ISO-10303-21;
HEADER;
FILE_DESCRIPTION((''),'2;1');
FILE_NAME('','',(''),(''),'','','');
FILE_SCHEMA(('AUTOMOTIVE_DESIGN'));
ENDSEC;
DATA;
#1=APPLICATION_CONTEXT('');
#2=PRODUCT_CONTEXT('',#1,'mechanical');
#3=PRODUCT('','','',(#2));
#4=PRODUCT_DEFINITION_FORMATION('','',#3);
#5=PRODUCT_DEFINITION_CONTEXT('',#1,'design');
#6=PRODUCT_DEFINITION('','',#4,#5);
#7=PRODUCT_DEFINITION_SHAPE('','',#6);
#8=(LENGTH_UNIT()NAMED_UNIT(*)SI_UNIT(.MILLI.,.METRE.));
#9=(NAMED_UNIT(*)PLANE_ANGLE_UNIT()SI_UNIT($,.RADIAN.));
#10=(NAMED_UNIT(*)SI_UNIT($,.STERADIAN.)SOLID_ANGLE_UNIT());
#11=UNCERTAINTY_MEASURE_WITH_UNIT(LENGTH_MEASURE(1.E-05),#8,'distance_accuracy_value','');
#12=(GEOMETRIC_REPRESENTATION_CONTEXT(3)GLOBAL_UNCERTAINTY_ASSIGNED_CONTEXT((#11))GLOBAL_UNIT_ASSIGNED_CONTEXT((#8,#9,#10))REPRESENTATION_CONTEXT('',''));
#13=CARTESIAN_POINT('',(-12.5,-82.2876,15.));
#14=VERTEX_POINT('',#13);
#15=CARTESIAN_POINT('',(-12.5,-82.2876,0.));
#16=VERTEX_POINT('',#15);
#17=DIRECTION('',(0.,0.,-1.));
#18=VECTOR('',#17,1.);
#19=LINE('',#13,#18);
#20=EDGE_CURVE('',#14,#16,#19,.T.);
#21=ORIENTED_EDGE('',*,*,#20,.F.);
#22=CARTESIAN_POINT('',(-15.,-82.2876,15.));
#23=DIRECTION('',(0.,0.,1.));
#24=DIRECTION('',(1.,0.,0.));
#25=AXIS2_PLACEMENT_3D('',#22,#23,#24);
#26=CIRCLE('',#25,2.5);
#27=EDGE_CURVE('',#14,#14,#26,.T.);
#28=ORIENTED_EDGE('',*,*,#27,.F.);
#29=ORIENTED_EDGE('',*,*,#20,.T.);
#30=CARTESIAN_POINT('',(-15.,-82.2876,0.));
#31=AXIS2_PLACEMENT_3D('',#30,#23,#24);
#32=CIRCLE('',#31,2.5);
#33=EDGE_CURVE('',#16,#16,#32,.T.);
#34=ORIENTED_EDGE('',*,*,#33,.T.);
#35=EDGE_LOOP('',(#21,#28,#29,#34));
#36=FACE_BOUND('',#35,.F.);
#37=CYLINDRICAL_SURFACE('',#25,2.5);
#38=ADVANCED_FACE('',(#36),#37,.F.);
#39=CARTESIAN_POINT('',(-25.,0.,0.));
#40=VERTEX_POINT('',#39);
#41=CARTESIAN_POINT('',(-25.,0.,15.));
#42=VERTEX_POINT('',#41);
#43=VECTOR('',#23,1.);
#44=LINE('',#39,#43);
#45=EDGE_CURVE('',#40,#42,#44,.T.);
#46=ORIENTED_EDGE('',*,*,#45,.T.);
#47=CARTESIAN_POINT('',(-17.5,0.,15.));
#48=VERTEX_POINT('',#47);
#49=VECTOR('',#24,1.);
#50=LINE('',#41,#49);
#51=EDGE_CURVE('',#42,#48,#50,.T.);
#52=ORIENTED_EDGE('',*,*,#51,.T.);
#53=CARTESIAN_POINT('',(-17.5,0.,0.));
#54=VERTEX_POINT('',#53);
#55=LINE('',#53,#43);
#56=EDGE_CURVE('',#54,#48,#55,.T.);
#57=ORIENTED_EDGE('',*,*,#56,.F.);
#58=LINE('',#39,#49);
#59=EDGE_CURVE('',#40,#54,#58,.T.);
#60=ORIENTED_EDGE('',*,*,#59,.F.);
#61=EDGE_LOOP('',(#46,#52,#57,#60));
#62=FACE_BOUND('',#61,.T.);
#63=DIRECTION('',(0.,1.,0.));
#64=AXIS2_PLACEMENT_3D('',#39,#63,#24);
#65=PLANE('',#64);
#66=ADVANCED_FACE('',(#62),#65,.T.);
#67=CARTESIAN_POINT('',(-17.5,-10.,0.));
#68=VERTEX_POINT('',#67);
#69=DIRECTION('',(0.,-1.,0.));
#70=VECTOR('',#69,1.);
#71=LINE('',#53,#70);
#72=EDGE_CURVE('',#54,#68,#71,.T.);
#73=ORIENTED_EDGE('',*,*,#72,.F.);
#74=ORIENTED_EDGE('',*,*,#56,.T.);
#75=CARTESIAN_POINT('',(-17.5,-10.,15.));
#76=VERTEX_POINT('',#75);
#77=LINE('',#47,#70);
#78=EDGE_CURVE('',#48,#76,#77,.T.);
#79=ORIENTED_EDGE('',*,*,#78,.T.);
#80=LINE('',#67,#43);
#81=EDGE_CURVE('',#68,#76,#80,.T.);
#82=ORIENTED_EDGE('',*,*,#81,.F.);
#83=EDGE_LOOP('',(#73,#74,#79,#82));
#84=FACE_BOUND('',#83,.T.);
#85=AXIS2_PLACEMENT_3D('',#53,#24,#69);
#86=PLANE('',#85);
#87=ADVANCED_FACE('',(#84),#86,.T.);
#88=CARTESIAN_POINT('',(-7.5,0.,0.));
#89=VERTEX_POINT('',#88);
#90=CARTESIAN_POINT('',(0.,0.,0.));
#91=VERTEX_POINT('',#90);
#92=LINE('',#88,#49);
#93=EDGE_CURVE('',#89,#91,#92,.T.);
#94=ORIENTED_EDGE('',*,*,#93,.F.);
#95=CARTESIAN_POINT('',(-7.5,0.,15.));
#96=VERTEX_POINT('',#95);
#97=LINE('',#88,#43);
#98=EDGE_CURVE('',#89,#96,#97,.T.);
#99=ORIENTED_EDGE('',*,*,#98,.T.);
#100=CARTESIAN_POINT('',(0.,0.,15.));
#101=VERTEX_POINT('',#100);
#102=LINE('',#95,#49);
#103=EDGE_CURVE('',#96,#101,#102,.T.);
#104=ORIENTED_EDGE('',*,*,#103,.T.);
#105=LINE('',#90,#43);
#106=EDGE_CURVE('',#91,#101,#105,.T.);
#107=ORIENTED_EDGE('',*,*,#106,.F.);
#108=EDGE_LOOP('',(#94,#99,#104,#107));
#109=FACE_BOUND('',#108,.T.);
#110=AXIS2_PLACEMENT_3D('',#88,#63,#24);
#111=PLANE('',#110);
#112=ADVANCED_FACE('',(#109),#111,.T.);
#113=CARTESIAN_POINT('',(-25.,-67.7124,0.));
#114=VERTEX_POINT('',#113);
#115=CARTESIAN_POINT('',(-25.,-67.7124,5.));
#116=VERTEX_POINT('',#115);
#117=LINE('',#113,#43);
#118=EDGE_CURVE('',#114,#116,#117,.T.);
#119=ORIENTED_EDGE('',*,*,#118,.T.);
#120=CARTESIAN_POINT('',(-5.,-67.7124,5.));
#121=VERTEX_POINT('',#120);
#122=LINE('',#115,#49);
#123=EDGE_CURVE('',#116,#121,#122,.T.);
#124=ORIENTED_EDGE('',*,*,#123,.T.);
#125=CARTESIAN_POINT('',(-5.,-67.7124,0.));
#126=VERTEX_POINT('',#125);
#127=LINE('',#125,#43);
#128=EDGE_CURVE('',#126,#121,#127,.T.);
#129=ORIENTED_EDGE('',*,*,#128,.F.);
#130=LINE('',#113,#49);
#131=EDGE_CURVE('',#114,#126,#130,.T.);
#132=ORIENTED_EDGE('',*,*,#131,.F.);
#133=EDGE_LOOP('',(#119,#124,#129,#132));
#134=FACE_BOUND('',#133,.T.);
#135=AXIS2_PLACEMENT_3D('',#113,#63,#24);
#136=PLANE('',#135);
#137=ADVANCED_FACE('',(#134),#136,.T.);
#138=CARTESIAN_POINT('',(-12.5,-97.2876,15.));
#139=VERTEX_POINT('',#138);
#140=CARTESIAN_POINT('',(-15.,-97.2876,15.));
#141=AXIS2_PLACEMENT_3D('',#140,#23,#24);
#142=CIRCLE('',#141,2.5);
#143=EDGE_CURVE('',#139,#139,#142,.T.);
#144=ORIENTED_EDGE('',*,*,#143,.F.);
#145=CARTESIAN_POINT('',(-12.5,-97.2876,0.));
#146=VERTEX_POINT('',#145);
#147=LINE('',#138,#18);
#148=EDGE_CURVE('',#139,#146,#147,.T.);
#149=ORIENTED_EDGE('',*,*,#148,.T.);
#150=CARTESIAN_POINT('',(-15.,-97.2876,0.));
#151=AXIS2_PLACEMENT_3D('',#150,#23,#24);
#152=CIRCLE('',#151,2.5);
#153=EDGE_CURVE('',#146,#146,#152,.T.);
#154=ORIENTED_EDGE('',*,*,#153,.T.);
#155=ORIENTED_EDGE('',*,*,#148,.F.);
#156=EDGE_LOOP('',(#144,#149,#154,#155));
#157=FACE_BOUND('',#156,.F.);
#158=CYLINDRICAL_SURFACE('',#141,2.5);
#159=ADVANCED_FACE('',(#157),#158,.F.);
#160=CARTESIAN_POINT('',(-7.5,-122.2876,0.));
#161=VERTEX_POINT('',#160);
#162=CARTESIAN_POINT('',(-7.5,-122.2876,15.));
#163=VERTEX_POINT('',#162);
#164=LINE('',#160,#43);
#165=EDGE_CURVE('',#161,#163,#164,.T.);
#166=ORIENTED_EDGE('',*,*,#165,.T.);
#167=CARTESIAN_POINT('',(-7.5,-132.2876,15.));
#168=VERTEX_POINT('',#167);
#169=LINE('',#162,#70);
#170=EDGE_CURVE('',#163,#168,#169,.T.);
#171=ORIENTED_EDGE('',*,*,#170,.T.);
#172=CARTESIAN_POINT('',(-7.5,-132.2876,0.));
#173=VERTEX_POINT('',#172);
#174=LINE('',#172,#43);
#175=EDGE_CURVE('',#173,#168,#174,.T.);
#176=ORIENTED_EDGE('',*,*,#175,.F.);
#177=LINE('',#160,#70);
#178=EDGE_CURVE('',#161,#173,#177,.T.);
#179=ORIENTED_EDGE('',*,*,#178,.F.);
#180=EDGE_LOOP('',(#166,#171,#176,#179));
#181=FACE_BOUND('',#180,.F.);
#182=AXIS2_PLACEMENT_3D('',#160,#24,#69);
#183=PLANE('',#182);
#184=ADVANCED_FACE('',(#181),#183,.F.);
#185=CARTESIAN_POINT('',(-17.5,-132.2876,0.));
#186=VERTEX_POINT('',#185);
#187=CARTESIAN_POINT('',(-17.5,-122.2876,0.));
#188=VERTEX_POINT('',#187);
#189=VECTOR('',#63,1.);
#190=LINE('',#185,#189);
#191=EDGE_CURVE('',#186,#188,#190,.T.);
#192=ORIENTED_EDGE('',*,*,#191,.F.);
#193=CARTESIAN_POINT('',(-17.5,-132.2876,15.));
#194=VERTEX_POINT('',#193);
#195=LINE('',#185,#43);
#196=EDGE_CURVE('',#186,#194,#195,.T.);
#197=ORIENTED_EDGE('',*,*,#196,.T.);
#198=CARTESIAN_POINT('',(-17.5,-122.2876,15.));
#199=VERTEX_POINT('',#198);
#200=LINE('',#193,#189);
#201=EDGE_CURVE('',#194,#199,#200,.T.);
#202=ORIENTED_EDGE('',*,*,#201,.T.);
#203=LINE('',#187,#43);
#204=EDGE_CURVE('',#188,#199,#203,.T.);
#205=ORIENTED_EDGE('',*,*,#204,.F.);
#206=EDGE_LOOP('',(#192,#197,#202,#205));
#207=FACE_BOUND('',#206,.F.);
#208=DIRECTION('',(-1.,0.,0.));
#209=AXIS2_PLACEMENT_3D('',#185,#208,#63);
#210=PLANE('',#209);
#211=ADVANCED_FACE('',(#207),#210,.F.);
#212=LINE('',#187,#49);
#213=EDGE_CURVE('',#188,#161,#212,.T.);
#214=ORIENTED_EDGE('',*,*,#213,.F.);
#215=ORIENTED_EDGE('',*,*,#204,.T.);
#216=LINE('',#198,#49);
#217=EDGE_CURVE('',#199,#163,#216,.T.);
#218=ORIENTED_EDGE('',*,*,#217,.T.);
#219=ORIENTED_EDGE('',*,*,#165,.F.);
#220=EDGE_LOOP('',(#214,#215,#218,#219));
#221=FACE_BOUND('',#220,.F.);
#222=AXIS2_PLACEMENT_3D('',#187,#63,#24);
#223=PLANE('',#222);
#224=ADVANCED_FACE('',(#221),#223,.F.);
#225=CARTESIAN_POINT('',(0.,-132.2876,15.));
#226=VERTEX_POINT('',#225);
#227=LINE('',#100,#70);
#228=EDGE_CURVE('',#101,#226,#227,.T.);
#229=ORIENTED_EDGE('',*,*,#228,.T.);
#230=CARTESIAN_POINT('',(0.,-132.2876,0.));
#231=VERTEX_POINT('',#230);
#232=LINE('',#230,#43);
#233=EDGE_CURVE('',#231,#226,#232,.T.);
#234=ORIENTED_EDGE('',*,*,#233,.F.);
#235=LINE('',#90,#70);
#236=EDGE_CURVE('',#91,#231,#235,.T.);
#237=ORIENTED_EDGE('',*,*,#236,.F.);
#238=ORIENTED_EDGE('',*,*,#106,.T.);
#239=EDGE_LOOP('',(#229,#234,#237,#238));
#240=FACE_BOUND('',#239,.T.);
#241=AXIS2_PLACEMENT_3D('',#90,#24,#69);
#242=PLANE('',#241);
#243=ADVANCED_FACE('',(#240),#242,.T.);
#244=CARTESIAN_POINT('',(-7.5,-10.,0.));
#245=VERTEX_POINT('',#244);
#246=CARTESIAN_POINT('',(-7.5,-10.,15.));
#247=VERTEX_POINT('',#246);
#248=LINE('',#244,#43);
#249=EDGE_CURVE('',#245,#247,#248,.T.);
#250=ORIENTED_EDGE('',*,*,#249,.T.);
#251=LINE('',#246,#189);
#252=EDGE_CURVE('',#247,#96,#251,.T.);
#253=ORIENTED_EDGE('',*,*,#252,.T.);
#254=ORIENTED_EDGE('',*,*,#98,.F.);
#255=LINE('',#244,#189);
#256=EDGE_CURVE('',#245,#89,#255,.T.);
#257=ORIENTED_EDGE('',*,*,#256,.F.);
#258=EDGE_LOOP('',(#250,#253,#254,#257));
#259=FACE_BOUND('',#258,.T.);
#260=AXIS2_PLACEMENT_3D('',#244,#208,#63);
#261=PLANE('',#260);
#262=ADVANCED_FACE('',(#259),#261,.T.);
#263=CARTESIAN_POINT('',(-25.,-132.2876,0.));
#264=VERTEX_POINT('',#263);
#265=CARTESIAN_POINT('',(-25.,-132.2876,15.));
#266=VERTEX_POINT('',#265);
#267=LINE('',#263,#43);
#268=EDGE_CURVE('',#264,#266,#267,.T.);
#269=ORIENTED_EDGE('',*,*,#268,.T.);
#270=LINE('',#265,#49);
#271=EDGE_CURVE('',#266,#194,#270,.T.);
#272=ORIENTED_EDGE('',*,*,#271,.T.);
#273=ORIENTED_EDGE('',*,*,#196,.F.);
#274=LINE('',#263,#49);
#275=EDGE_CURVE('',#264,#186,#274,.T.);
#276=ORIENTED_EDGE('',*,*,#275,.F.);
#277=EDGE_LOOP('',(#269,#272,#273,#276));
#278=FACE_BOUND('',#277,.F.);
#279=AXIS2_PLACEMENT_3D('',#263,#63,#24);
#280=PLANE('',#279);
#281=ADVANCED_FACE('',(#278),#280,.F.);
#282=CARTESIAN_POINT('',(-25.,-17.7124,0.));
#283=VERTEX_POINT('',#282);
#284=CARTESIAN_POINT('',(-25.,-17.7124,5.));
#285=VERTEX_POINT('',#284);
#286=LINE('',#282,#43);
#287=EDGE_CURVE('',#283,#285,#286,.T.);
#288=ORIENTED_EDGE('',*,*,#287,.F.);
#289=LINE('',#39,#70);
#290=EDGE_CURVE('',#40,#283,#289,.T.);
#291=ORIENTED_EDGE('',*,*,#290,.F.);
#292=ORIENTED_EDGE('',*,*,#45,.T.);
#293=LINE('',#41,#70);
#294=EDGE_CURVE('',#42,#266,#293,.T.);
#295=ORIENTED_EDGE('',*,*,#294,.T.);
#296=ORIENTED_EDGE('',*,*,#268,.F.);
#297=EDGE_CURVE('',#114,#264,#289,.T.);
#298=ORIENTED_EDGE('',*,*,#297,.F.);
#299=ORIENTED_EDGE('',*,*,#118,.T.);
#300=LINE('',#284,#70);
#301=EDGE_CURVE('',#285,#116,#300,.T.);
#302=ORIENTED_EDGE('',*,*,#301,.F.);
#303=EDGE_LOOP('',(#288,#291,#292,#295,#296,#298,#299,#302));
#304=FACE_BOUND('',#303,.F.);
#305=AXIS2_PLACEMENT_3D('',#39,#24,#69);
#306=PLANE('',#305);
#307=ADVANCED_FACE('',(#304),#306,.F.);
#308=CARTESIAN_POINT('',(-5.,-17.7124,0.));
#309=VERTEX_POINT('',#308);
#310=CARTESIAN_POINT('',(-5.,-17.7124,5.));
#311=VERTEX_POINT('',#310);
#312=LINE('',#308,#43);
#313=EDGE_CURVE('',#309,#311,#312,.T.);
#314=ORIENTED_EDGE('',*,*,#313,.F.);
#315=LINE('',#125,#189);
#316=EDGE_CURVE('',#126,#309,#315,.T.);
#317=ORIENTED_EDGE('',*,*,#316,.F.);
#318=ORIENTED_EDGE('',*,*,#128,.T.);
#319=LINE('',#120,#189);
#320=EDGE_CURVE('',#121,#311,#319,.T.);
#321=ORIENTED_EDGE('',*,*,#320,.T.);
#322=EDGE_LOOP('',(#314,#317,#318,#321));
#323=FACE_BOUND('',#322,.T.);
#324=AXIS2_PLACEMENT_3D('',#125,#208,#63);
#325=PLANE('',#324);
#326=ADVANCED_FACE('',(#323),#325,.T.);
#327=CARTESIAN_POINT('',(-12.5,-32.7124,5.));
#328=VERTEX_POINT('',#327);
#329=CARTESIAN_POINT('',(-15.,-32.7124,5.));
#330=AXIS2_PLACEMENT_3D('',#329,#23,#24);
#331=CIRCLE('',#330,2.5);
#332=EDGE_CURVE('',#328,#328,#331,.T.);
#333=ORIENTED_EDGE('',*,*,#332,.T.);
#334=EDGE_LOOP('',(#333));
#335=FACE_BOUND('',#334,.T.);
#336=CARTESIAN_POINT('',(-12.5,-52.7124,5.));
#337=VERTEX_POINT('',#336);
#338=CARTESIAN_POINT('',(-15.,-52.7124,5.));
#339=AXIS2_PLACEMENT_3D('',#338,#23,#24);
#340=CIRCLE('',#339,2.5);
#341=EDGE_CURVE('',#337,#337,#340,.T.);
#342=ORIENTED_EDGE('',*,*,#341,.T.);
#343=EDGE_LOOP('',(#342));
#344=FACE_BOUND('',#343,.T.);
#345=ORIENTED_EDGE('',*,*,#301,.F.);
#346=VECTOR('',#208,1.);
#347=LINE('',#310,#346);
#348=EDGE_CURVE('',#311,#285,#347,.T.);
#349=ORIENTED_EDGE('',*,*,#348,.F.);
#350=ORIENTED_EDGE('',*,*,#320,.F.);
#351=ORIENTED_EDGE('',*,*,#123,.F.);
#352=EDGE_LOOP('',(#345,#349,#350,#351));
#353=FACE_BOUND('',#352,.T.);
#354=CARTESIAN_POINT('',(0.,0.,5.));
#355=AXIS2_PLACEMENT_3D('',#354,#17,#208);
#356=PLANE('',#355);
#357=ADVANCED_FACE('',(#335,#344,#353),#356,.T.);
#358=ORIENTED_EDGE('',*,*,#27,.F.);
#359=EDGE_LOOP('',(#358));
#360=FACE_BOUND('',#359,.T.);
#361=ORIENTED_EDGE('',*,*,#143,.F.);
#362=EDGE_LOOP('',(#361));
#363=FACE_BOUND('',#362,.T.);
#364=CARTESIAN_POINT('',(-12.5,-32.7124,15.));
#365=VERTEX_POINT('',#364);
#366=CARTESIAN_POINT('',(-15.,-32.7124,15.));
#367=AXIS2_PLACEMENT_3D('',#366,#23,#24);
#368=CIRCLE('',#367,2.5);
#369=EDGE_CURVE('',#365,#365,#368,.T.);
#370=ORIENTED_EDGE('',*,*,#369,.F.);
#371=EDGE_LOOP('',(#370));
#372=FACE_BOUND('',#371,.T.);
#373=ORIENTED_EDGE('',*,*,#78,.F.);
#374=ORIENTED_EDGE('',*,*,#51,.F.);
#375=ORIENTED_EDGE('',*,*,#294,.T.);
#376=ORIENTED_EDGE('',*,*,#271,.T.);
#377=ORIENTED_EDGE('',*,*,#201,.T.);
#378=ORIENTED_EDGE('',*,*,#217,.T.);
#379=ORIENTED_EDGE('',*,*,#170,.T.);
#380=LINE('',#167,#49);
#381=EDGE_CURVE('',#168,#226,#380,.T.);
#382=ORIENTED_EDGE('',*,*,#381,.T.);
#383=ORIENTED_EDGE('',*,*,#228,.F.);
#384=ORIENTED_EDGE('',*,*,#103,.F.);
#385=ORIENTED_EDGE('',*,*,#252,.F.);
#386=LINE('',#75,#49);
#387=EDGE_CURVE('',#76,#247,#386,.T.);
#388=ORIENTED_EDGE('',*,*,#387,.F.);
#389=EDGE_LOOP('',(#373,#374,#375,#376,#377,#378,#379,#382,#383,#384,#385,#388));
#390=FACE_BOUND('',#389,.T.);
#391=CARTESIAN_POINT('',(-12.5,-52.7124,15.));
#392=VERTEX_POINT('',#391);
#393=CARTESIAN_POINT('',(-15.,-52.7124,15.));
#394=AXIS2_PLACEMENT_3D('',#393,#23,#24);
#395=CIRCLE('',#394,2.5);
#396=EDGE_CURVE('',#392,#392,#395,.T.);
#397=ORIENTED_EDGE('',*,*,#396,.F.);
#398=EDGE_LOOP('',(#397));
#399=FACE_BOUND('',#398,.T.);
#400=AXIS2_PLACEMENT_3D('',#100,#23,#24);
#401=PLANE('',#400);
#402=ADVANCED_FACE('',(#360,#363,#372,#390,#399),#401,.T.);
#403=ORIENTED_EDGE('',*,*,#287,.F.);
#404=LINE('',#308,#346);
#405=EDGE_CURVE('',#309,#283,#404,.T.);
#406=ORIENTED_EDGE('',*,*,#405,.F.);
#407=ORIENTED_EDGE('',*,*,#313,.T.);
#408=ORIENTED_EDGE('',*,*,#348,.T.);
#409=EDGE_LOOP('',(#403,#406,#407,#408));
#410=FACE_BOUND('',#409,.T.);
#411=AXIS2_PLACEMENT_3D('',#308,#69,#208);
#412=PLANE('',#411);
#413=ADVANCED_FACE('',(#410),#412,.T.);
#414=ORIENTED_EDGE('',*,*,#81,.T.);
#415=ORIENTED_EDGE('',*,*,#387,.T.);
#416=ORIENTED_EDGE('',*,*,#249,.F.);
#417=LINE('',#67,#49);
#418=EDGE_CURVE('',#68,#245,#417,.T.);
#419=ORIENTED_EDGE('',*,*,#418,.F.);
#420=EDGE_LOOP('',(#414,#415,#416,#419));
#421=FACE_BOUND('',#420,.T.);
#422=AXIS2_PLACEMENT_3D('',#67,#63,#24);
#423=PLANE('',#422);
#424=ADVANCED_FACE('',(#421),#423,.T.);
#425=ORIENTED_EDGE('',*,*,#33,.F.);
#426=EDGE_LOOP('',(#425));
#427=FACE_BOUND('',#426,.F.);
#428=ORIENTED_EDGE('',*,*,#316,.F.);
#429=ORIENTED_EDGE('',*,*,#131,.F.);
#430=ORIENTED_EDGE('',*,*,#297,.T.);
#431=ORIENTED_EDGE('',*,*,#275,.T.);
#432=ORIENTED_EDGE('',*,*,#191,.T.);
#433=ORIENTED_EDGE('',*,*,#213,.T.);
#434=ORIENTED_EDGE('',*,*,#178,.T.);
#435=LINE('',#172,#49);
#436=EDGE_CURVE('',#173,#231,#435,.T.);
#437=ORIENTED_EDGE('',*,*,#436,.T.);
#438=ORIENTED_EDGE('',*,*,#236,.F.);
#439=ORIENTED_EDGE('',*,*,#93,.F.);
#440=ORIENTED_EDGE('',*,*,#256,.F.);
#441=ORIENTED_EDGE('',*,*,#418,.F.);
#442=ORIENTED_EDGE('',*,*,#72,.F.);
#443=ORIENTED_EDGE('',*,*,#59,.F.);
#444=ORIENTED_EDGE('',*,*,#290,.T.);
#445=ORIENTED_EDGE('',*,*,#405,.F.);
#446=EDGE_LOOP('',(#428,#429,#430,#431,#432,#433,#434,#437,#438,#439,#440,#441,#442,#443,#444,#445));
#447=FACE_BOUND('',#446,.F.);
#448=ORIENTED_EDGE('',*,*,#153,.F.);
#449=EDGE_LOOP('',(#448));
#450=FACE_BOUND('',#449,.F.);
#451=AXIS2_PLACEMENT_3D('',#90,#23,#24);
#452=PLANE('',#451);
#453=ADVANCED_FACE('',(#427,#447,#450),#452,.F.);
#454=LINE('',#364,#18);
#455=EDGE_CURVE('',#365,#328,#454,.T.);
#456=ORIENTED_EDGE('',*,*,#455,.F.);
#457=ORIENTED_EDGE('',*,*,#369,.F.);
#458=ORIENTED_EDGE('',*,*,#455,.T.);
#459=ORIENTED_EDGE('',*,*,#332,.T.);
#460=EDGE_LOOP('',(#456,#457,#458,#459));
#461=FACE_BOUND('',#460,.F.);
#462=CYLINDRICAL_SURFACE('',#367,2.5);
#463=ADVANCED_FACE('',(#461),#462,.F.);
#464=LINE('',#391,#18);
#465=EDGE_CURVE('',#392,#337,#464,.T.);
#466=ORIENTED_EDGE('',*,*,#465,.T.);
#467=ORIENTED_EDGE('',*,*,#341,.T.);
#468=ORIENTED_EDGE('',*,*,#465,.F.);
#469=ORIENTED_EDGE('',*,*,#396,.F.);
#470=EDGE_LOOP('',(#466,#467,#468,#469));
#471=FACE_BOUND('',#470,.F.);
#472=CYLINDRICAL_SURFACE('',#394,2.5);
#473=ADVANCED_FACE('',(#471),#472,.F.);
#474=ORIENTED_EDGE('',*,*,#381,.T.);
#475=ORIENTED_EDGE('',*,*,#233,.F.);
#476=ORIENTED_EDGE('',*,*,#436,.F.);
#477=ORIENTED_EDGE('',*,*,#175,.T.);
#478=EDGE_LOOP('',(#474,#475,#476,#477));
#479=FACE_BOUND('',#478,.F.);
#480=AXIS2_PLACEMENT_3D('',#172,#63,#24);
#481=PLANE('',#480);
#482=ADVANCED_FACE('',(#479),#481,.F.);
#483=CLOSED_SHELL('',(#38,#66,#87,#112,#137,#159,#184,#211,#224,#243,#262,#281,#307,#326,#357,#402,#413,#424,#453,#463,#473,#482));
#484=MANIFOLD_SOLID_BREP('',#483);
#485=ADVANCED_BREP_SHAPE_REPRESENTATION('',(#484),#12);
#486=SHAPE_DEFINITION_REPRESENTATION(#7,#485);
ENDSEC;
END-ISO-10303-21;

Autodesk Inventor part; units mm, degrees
ref_plane "YZ Plane" through (0, 0, 0) normal (1, 0, 0) x (0, 1, 0)
ref_plane "XZ Plane" through (0, 0, 0) normal (0, 1, 0) x (-1, 0, 0)
ref_plane "XY Plane" through (0, 0, 0) normal (0, 0, 1) x (1, 0, 0)
sketch "Sketch1" plane through (0, 0, 0) normal (0, 0, 1) x (1, 0, 0)
  circle A0 centre (-175, 0) radius 225 construction
  circle A1 centre (-175, 0) radius 200 construction
  line L0 (-25, 0) -> (-25, -132.2876)
  line L1 (-17.5, 0) -> (-17.5, -10)
  line L2 (-17.5, -10) -> (-7.5, -10)
  line L3 (-17.5, -10) -> (-7.5, -10) construction
  line L4 (-7.5, -10) -> (-7.5, 0)
  line L5 (-25, 0) -> (-17.5, 0)
  line L6 (-7.5, 0) -> (0, 0)
  line L7 (0, 0) -> (0, -132.2876)
  line L8 (-17.5, -132.2876) -> (-17.5, -122.2876)
  line L9 (-17.5, -132.2876) -> (-7.5, -132.2876) construction
  line L10 (-17.5, -122.2876) -> (-7.5, -122.2876)
  line L11 (-7.5, -122.2876) -> (-7.5, -132.2876)
  line L12 (-25, -132.2876) -> (-17.5, -132.2876)
  line L13 (-7.5, -132.2876) -> (0, -132.2876)
  dimension "d0" = 450
  dimension "d1" = 25
  dimension "d2" = 175
  dimension "d3" = 25
  dimension "d5" = 10
  dimension "d6" = 10
  dimension "d7" = 0
  dimension "d8" = 7.5
  dimension "d11" = 10
  dimension "d12" = 90
  dimension "d13" = 10
  dimension "d14" = 90
extrude "Extrusion1" add sketch "Sketch1" along normal blind 15
sketch "Sketch2" plane through (0, 0, 15) normal (0, 0, 1) x (1, 0, 0)
  line L0 (0, -17.7124) -> (-20, -17.7124) construction
  line L1 (-20, -17.7124) -> (-20, -67.7124) construction
  line L2 (-20, -67.7124) -> (0, -67.7124) construction
  line L3 (0, -67.7124) -> (0, -17.7124) construction
  line L4 (-7.5, -132.2876) -> (0, -132.2876) construction
  circle A0 centre (-15, -32.7124) radius 2.5
  circle A1 centre (-15, -52.7124) radius 2.5
  line L5 (-25, 0) -> (-25, -132.2876) projected
  point P0 (0, 0)
  dimension "d15" = 20
  dimension "d16" = 50
  dimension "d17" = 64.5751
  dimension "d18" = 5
  dimension "d19" = 5
  dimension "d20" = 15
  dimension "d21" = 15
  dimension "d55" = 10
  dimension "d56" = 10
extrude "Extrusion2" cut sketch "Sketch2" against normal through all
thread "Thread1" size "M5x0.8" class "6H" standard "ANSI Metric M Profile" full length
thread "Thread2" size "M5x0.8" class "6H" standard "ANSI Metric M Profile" full length
sketch "Sketch3" plane through (0, 0, 15) normal (0, 0, 1) x (1, 0, 0)
  circle A0 centre (-15, -82.2876) radius 2.5
  circle A1 centre (-15, -97.2876) radius 2.5
  line L0 (0, -132.2876) -> (0, 0) projected
  line L1 (-7.5, -132.2876) -> (0, -132.2876) projected
  line L2 (-25, 0) -> (-25, -132.2876) projected
  dimension "d30" = 5
  dimension "d31" = 5
  dimension "d34" = 15
  dimension "d35" = 35
  dimension "d57" = 10
  dimension "d58" = 10
extrude "Extrusion3" cut sketch "Sketch3" against normal through all
thread "Thread3" size "M5x0.8" class "6H" standard "ANSI Metric M Profile" full length
thread "Thread4" size "M5x0.8" class "6H" standard "ANSI Metric M Profile" full length
sketch "Sketch5" plane through (0, 0, 0) normal (0, 0, -1) x (-1, 0, 0)
  line L0 (5, -17.7124) -> (25, -17.7124)
  line L1 (25, -17.7124) -> (25, -67.7124)
  line L2 (25, -67.7124) -> (5, -67.7124)
  line L3 (5, -67.7124) -> (5, -17.7124)
  line L4 (25, 0) -> (25, -132.2876) projected
  dimension "d50" = 20
  dimension "d51" = 50
  dimension "d59" = 17.7124
extrude "Extrusion5" cut sketch "Sketch5" against normal blind 5
properties part number "CP002" material "ABS Plastic"
